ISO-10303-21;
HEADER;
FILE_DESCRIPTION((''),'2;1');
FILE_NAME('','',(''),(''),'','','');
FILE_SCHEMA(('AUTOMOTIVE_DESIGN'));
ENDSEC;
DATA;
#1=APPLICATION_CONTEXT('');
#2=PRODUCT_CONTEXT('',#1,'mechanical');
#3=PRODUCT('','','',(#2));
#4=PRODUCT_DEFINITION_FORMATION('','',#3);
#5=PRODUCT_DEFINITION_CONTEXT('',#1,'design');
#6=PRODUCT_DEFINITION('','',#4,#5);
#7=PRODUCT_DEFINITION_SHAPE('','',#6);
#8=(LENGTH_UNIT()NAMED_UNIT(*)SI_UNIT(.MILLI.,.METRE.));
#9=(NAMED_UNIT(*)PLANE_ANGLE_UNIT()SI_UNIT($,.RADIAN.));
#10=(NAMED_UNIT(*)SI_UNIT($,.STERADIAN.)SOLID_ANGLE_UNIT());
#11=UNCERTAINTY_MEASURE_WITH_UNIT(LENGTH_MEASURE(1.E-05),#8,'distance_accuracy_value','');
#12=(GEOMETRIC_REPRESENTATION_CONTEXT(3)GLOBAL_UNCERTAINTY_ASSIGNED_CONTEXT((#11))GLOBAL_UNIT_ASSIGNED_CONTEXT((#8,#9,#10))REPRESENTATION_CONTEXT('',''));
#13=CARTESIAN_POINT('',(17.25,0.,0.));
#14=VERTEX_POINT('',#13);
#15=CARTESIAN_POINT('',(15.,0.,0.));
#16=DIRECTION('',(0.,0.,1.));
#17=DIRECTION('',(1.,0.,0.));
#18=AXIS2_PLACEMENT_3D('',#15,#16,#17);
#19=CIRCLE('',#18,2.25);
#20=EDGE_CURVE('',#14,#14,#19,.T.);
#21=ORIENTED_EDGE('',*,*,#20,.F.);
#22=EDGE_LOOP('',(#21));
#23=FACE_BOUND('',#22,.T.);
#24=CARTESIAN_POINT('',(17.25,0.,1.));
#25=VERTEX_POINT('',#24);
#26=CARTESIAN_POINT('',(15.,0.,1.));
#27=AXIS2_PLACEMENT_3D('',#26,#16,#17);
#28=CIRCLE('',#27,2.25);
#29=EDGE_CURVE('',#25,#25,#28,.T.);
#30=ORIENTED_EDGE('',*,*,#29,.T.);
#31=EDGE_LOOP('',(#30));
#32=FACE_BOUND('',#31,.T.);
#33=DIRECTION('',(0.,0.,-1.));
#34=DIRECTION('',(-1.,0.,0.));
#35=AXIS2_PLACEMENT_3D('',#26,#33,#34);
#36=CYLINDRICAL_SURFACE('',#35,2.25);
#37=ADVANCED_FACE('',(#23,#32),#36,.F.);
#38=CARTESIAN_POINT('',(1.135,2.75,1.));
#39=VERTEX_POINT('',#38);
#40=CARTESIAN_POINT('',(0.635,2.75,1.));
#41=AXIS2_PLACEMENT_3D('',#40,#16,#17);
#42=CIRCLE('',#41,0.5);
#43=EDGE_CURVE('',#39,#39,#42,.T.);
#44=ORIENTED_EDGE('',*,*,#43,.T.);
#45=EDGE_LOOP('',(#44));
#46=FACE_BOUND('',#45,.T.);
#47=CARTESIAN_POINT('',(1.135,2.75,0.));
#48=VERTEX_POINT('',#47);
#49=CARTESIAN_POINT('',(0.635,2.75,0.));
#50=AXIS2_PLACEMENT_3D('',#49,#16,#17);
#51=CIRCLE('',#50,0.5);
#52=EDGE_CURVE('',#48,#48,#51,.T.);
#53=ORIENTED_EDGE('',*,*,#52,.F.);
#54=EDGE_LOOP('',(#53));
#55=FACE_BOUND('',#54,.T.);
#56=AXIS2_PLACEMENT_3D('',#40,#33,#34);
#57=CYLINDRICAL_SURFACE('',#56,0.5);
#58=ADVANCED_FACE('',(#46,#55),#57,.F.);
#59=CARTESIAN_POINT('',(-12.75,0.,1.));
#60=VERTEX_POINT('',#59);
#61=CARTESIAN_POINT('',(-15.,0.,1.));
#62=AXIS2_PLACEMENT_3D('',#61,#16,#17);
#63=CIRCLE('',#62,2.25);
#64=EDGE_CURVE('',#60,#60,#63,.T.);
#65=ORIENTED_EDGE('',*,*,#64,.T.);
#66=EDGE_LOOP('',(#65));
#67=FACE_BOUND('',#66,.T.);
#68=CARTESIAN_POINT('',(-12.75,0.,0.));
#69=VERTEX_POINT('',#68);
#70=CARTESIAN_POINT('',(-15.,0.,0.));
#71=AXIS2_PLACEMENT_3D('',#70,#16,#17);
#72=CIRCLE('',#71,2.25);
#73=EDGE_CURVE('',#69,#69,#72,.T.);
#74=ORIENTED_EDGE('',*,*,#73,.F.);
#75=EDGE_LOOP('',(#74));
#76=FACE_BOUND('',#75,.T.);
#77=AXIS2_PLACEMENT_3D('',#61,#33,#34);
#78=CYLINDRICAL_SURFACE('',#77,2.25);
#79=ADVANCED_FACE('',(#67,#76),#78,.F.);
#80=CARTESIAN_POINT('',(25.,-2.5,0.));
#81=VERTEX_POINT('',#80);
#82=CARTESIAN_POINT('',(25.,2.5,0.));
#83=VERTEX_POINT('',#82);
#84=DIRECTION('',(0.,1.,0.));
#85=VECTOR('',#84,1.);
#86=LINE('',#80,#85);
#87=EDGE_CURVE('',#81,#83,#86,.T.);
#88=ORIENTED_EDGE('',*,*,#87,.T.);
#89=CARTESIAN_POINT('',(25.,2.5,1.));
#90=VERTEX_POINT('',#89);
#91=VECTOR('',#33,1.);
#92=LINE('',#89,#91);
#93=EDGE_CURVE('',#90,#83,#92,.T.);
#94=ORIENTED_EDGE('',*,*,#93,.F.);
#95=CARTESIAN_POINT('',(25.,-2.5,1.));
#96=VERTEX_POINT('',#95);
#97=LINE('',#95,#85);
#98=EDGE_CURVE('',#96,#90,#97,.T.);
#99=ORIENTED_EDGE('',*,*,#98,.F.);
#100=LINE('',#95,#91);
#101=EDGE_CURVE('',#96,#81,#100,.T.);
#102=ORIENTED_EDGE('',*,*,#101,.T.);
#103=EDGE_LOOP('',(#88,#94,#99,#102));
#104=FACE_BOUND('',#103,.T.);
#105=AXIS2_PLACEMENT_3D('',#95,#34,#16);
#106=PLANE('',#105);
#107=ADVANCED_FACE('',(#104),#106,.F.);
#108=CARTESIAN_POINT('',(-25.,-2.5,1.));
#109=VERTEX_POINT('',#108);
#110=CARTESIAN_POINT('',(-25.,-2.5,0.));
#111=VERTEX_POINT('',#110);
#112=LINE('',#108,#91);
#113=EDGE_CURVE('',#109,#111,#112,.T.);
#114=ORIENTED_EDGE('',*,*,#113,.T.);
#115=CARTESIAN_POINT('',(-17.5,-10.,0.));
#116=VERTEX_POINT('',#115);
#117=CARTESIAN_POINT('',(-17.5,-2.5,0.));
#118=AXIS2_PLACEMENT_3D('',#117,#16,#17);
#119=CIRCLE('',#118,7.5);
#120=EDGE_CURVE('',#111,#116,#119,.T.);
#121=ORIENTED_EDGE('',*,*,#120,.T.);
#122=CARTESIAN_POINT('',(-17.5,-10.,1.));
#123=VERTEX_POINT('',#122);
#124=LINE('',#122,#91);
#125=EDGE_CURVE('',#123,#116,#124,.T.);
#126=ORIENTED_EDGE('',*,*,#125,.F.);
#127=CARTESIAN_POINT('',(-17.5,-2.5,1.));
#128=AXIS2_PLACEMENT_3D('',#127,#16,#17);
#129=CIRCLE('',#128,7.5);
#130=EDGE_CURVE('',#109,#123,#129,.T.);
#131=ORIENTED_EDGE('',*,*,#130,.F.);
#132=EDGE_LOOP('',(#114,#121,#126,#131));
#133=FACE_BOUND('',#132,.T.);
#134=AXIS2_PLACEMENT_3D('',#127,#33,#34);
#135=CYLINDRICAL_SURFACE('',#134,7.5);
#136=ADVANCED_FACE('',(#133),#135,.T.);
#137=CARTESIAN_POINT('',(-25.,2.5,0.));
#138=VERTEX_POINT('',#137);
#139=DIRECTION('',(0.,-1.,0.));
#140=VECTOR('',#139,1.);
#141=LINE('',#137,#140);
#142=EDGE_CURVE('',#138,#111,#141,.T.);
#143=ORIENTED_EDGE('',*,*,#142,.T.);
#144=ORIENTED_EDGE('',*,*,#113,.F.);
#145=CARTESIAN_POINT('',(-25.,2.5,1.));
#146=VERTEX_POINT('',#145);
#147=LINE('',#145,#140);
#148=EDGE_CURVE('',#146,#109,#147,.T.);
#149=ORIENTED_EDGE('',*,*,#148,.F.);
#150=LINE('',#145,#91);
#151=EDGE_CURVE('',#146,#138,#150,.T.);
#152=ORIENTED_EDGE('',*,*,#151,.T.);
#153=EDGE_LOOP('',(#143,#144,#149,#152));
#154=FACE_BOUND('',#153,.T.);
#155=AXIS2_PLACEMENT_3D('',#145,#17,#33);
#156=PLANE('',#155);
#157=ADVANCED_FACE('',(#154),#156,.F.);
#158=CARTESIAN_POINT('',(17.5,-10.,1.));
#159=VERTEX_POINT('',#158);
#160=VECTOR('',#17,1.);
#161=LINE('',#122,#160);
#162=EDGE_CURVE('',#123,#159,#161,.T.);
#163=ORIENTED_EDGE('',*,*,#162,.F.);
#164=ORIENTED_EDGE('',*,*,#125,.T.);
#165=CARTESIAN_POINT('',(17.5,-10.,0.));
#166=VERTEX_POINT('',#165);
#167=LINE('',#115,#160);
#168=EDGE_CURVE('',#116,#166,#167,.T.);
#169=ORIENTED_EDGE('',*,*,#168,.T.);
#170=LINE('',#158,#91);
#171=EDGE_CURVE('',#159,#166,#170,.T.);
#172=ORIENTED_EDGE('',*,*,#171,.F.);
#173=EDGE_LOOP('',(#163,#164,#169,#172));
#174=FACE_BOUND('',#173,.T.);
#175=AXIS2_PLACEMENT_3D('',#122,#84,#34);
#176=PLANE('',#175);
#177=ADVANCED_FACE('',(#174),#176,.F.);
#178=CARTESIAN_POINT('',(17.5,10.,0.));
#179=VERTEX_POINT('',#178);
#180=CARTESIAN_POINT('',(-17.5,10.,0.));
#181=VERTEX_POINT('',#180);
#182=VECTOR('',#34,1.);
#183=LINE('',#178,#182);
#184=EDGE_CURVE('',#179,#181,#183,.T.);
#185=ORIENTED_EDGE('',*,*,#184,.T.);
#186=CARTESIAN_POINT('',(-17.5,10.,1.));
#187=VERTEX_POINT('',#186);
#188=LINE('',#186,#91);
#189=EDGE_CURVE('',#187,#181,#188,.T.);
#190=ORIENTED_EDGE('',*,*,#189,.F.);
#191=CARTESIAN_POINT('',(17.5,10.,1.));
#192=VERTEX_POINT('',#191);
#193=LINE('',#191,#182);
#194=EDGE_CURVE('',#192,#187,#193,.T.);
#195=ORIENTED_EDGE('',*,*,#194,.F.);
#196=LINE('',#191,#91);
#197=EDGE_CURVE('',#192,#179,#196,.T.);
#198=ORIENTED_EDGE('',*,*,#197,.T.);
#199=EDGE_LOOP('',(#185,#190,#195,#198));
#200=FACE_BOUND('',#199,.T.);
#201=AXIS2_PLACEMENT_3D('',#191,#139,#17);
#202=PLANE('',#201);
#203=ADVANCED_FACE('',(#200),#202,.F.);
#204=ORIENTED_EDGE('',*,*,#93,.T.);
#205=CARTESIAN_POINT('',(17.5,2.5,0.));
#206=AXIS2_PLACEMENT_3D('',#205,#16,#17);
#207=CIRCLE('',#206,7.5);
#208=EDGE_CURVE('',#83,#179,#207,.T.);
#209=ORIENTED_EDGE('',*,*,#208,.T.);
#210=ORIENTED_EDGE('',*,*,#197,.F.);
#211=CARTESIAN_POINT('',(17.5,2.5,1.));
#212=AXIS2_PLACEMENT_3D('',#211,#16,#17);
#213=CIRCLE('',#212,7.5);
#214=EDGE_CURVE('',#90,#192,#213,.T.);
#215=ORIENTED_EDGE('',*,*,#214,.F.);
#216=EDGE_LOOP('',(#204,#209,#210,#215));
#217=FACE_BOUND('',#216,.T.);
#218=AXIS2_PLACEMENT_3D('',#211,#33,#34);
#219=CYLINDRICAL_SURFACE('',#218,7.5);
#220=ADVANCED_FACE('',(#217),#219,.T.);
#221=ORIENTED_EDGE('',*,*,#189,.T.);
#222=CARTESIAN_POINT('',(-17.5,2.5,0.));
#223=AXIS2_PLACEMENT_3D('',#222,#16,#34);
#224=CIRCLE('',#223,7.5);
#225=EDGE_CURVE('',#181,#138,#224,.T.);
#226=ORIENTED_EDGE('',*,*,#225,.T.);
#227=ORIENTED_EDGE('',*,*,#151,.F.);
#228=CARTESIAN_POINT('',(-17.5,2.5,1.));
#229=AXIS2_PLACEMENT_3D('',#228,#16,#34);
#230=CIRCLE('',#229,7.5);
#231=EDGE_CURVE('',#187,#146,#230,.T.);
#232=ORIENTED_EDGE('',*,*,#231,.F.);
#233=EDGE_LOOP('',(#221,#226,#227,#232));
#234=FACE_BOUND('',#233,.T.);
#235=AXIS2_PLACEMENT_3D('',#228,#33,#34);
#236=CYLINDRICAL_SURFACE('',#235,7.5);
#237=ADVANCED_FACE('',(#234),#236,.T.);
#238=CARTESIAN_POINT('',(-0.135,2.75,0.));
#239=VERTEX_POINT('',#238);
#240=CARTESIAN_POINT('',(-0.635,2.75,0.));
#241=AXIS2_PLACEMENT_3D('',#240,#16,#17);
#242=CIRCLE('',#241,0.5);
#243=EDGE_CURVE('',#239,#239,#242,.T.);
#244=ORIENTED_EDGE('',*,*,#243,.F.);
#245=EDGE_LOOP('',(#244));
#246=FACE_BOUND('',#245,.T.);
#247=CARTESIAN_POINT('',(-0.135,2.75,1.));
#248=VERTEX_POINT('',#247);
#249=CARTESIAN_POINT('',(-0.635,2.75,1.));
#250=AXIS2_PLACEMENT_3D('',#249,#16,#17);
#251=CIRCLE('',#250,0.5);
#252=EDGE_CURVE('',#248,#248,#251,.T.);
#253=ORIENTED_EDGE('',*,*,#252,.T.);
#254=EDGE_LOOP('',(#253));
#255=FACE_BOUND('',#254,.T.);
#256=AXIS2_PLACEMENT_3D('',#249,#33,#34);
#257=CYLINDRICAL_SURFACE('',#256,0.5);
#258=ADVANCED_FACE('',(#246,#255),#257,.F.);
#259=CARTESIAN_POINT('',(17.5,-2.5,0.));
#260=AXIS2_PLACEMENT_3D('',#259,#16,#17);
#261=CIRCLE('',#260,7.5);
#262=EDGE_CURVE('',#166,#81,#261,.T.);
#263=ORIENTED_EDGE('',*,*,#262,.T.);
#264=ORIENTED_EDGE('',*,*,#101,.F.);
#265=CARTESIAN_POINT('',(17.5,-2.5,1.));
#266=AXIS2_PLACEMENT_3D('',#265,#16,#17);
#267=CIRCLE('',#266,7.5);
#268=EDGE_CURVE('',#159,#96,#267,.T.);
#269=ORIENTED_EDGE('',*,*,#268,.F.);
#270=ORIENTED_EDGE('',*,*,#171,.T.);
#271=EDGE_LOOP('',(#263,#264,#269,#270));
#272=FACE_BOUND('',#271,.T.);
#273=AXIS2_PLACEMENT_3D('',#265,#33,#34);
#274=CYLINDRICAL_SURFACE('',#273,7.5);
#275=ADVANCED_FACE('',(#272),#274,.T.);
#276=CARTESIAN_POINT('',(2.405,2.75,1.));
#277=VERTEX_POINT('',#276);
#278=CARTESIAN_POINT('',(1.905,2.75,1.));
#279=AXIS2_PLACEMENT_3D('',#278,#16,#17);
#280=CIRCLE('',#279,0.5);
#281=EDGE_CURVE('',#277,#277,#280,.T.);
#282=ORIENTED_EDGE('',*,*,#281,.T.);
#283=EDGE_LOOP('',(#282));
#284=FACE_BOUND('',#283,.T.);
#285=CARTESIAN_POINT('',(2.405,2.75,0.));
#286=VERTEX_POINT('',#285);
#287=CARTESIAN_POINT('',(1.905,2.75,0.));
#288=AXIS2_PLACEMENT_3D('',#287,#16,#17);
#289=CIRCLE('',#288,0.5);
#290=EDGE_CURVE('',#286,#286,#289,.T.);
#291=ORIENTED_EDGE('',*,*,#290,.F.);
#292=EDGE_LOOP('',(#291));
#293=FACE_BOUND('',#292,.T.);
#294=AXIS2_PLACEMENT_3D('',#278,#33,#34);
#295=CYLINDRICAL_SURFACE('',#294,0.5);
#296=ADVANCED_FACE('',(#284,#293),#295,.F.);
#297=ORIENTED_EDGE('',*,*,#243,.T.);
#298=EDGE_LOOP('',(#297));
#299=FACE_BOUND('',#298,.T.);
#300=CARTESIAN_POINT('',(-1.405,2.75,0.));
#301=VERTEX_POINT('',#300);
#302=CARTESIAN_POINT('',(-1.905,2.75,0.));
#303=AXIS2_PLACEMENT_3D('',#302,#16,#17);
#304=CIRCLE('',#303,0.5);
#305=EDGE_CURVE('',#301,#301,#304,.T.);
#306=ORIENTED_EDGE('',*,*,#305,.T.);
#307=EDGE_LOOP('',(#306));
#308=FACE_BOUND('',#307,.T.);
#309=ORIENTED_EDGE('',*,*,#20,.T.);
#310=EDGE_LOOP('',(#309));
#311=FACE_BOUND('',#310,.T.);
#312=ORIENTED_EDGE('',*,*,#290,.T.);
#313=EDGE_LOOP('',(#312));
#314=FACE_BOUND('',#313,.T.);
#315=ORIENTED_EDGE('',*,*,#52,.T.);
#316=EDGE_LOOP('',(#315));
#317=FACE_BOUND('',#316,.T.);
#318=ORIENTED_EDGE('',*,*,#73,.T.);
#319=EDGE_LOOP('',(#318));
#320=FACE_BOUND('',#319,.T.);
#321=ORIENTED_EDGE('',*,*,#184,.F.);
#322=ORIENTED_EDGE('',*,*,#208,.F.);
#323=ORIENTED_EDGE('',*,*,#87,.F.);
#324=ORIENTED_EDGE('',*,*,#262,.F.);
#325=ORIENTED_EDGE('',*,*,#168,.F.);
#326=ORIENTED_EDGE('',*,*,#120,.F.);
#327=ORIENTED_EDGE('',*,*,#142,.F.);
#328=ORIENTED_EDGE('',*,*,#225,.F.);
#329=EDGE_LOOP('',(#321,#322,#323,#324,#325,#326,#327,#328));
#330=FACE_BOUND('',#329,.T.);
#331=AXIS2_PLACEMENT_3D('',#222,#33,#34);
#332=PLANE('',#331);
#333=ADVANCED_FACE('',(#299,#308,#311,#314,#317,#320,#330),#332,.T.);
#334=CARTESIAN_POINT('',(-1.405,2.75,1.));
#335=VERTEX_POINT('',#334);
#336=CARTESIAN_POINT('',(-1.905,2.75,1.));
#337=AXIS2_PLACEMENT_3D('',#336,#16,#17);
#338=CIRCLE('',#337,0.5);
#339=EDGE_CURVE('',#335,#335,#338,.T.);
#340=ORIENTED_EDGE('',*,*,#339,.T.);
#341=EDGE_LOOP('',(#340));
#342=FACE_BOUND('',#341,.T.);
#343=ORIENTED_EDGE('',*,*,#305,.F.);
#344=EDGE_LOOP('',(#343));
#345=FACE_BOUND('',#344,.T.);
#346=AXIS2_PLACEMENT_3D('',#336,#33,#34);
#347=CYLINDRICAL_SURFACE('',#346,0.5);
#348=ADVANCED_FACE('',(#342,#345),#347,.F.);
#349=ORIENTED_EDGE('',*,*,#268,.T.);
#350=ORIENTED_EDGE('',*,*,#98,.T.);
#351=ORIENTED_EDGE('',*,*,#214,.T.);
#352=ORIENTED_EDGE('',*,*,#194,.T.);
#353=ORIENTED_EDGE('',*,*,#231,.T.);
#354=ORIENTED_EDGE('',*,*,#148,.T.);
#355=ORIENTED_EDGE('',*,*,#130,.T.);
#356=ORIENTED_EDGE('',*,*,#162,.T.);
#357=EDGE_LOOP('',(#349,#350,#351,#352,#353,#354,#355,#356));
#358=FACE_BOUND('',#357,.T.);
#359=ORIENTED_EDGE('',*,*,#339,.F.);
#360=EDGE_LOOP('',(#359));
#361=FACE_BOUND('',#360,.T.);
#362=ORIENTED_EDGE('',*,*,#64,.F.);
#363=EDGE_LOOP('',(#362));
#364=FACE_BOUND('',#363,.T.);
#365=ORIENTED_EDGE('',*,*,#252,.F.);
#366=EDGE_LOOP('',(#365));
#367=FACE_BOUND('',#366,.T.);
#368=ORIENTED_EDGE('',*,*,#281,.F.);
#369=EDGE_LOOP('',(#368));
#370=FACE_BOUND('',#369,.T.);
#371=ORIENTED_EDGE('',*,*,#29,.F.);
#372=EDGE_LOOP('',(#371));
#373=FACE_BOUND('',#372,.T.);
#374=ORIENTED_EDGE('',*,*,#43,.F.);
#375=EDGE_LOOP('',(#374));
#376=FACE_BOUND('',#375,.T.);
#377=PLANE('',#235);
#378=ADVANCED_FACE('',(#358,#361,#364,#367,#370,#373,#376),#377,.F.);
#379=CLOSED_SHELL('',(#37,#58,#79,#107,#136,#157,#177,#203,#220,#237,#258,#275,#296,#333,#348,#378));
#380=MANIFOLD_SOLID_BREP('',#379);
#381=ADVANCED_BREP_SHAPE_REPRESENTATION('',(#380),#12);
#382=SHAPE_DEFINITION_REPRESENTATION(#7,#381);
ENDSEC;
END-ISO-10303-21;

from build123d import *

# Parameters (mm, degrees)
SKETCH1_R           = 2.25
SKETCH1_R_2         = 0.5
BOSS_EXTRUDE1_DEPTH = 1


with BuildPart() as part:
    # Sketch1 → Boss-Extrude1 (new body)
    with BuildSketch(Plane.XY):
        with BuildLine():
            Line((-25, 2.5), (-25, -2.5))
            ThreePointArc((-25, -2.5), (-22.803300859, -7.803300859), (-17.5, -10))
            Line((-17.5, -10), (17.5, -10))
            ThreePointArc((17.5, -10), (22.803300859, -7.803300859), (25, -2.5))
            Line((25, -2.5), (25, 2.5))
            ThreePointArc((25, 2.5), (22.803300859, 7.803300859), (17.5, 10))
            Line((17.5, 10), (-17.5, 10))
            ThreePointArc((-17.5, 10), (-22.803300859, 7.803300859), (-25, 2.5))
        make_face()
        with Locations((-15, 0)):
            Circle(SKETCH1_R, mode=Mode.SUBTRACT)
        with Locations((15, 0)):
            Circle(SKETCH1_R, mode=Mode.SUBTRACT)
        with Locations((-1.905, 2.75)):
            Circle(SKETCH1_R_2, mode=Mode.SUBTRACT)
        with Locations((1.905, 2.75)):
            Circle(SKETCH1_R_2, mode=Mode.SUBTRACT)
        with Locations((0.635, 2.75)):
            Circle(SKETCH1_R_2, mode=Mode.SUBTRACT)
        with Locations((-0.635, 2.75)):
            Circle(SKETCH1_R_2, mode=Mode.SUBTRACT)
    extrude(amount=BOSS_EXTRUDE1_DEPTH)


solid = part.part
